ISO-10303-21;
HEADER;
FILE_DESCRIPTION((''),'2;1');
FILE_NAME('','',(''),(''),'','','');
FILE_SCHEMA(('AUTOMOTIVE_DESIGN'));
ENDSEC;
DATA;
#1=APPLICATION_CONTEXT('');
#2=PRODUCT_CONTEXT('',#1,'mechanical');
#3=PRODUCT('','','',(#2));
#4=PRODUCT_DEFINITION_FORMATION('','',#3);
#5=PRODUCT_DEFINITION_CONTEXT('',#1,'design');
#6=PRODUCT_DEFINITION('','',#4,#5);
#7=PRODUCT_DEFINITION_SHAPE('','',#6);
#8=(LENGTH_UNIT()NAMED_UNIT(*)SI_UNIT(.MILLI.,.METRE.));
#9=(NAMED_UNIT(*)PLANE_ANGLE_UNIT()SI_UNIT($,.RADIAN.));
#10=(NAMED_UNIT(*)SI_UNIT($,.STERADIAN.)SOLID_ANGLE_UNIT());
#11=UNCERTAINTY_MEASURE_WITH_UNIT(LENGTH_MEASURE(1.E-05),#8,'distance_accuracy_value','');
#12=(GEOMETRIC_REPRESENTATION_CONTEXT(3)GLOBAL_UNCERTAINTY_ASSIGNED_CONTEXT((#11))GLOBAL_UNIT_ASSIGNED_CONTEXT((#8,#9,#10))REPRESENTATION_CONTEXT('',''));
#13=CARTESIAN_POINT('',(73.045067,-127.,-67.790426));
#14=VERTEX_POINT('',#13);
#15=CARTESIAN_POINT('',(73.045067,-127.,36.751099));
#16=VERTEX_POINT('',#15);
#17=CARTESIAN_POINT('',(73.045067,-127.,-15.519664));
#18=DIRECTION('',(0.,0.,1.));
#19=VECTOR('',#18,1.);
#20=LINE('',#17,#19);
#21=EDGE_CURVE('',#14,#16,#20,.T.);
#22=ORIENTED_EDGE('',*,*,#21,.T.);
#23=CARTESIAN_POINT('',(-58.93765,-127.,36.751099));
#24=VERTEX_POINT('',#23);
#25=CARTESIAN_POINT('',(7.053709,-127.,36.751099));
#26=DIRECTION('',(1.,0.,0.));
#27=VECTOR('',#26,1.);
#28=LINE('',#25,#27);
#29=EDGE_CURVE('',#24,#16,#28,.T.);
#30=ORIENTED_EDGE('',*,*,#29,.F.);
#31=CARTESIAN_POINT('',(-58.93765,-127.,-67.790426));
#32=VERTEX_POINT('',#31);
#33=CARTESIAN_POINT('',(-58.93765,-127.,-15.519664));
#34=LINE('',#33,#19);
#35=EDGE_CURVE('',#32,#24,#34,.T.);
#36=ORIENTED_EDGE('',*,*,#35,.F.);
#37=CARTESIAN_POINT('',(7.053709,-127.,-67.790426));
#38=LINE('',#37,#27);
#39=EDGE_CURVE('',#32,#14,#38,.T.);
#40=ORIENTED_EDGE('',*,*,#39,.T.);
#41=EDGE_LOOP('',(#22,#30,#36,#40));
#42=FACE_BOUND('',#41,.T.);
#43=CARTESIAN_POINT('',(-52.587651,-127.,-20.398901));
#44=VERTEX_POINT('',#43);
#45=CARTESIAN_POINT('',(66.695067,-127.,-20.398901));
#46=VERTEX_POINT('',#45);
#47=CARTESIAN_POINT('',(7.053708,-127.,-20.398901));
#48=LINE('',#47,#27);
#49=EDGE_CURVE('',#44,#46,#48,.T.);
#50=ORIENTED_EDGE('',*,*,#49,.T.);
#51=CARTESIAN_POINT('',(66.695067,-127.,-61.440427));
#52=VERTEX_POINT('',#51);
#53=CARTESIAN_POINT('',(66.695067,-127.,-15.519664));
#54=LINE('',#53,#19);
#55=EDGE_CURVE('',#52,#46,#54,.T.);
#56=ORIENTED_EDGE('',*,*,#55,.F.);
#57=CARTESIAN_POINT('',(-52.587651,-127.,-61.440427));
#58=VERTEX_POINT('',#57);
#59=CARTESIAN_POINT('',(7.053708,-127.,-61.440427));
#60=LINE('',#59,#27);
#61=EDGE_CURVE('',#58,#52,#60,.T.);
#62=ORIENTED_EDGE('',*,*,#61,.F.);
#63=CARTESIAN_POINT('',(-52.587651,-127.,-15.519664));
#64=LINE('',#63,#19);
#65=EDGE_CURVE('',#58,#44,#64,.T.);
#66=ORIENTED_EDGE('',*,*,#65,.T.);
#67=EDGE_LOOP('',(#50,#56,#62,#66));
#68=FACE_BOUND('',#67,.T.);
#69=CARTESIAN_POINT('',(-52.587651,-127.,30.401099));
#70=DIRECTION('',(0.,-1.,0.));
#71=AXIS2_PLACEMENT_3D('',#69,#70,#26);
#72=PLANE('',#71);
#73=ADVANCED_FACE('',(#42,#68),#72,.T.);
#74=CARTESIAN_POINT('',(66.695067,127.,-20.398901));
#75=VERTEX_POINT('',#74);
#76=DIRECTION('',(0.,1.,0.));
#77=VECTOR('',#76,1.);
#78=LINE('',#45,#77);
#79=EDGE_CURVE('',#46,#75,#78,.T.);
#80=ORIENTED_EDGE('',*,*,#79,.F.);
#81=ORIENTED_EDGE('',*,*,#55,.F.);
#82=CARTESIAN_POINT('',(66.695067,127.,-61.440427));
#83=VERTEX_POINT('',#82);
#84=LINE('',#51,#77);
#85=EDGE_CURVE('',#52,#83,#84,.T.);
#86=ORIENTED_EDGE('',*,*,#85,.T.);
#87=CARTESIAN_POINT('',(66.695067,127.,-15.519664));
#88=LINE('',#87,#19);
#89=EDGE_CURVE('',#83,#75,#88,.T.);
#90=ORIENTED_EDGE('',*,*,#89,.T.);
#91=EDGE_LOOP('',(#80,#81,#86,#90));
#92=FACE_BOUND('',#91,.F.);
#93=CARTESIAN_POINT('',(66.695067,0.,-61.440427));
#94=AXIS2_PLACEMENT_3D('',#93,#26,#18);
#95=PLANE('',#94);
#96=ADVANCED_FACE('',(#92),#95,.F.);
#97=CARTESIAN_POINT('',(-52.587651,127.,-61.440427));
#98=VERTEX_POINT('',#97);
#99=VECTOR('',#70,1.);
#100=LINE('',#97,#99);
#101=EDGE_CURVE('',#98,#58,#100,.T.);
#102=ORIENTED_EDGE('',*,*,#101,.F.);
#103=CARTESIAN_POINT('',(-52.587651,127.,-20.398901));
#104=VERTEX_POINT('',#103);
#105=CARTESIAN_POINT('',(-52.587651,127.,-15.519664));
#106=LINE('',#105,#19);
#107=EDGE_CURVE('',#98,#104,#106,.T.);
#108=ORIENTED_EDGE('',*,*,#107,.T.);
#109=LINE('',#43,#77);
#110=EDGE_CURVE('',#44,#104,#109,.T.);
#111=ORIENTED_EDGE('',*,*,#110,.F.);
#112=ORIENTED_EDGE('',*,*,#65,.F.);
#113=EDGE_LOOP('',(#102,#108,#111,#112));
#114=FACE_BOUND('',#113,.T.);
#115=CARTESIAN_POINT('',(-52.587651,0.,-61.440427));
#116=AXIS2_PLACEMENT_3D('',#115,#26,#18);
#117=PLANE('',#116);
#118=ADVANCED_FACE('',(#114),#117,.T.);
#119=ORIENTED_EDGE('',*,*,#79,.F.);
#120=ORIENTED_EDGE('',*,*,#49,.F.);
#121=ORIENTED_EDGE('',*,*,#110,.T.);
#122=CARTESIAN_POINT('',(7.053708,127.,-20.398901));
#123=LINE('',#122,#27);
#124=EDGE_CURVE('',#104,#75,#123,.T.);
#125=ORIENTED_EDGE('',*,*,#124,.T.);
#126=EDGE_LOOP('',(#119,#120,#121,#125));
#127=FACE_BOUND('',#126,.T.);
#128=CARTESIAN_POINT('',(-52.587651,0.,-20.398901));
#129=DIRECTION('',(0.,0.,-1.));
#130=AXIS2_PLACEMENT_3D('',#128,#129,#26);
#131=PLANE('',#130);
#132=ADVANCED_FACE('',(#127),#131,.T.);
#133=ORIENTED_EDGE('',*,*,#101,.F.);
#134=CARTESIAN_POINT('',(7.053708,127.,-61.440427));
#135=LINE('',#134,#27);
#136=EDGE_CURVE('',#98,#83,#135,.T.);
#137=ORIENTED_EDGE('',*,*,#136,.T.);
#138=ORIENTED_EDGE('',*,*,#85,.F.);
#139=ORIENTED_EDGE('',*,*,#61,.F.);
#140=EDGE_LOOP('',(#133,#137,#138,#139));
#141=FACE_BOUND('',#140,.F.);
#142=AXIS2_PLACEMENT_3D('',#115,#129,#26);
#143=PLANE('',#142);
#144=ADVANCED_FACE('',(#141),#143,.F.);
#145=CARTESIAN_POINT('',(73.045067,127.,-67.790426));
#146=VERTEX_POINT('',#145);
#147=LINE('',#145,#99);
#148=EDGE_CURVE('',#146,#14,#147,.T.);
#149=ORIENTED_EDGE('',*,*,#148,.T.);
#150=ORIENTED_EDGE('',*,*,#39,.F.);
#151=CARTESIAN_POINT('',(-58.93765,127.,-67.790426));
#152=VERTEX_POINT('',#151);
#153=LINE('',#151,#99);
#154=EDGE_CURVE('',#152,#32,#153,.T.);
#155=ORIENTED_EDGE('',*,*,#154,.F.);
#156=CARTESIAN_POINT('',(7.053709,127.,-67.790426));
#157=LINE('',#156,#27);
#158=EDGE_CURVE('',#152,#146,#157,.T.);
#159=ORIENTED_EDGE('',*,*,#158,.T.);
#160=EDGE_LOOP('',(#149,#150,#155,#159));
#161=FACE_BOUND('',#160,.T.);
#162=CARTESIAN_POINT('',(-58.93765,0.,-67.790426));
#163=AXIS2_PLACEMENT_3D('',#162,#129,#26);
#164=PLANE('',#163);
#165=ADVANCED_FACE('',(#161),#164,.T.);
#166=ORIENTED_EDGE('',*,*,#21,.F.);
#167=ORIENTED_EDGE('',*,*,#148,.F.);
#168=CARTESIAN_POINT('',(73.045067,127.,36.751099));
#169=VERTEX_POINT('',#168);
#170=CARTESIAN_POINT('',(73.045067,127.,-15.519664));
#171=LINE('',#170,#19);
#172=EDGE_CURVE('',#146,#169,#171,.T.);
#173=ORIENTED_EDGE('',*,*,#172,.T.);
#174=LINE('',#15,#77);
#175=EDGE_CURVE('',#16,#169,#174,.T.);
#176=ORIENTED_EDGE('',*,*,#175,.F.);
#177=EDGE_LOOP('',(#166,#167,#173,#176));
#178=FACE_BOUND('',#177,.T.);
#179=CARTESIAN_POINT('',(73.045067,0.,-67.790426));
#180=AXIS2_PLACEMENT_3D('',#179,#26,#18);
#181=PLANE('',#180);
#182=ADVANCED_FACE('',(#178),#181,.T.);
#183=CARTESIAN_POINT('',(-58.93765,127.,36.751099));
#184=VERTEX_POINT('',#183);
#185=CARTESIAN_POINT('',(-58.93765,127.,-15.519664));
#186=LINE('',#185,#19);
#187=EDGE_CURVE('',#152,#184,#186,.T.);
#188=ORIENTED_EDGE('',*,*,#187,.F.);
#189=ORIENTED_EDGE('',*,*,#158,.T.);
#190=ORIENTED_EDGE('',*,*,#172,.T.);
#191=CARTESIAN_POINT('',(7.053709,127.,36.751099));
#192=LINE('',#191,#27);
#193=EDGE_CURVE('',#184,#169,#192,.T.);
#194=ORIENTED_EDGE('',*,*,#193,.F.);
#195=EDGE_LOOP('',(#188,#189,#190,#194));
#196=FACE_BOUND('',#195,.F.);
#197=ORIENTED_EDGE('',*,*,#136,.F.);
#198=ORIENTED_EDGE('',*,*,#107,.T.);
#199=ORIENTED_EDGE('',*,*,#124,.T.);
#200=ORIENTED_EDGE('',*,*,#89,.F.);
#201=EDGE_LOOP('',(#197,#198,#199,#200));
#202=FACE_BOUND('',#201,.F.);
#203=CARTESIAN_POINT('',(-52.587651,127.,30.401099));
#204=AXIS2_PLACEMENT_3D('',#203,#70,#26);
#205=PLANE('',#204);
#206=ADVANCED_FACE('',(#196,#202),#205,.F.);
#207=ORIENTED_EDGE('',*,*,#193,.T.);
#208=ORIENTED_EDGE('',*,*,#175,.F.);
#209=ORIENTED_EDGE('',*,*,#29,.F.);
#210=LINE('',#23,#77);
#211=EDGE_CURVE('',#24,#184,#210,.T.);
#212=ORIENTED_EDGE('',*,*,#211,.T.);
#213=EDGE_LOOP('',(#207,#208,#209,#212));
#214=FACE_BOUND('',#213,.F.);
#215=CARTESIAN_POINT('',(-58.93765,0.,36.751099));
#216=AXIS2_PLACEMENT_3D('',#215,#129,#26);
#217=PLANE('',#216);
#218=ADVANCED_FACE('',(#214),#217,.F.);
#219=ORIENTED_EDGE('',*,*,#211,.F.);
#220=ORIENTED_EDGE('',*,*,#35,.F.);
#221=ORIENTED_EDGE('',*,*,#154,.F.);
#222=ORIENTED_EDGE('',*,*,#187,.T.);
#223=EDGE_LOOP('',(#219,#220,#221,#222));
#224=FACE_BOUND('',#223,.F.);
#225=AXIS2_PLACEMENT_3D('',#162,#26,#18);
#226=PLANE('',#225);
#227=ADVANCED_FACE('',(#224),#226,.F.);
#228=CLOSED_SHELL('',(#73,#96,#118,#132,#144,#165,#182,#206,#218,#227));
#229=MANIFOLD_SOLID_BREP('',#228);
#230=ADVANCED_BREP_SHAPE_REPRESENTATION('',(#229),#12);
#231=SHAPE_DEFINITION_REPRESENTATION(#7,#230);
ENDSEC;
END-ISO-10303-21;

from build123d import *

# Parameters (mm, degrees)
F0_W     = 131.982717663
F0_H     = 104.5415252447
F0_W_2   = 119.2827182055
F0_H_2   = 91.8415257871
F1_DEPTH = 127
F2_DEPTH = 50.8


with BuildPart() as f1:
    # F0 (on Front) → F1 (new body, symmetric)
    with BuildSketch(Plane.XZ):
        with Locations((7.0537086576, -15.5196636915)):
            Rectangle(F0_W, F0_H)
        with Locations((7.0537083864, -15.5196639627)):
            Rectangle(F0_W_2, F0_H_2, mode=Mode.SUBTRACT)
    extrude(amount=F1_DEPTH, both=True)

    # F2 (add): a face of the model
    f2_faces = [f1.faces().sort_by_distance(p)[0] for p in [
        (7.0537083864, 0, 30.4010989308),
    ]]
    extrude(f2_faces, amount=F2_DEPTH)


solid = f1.part
